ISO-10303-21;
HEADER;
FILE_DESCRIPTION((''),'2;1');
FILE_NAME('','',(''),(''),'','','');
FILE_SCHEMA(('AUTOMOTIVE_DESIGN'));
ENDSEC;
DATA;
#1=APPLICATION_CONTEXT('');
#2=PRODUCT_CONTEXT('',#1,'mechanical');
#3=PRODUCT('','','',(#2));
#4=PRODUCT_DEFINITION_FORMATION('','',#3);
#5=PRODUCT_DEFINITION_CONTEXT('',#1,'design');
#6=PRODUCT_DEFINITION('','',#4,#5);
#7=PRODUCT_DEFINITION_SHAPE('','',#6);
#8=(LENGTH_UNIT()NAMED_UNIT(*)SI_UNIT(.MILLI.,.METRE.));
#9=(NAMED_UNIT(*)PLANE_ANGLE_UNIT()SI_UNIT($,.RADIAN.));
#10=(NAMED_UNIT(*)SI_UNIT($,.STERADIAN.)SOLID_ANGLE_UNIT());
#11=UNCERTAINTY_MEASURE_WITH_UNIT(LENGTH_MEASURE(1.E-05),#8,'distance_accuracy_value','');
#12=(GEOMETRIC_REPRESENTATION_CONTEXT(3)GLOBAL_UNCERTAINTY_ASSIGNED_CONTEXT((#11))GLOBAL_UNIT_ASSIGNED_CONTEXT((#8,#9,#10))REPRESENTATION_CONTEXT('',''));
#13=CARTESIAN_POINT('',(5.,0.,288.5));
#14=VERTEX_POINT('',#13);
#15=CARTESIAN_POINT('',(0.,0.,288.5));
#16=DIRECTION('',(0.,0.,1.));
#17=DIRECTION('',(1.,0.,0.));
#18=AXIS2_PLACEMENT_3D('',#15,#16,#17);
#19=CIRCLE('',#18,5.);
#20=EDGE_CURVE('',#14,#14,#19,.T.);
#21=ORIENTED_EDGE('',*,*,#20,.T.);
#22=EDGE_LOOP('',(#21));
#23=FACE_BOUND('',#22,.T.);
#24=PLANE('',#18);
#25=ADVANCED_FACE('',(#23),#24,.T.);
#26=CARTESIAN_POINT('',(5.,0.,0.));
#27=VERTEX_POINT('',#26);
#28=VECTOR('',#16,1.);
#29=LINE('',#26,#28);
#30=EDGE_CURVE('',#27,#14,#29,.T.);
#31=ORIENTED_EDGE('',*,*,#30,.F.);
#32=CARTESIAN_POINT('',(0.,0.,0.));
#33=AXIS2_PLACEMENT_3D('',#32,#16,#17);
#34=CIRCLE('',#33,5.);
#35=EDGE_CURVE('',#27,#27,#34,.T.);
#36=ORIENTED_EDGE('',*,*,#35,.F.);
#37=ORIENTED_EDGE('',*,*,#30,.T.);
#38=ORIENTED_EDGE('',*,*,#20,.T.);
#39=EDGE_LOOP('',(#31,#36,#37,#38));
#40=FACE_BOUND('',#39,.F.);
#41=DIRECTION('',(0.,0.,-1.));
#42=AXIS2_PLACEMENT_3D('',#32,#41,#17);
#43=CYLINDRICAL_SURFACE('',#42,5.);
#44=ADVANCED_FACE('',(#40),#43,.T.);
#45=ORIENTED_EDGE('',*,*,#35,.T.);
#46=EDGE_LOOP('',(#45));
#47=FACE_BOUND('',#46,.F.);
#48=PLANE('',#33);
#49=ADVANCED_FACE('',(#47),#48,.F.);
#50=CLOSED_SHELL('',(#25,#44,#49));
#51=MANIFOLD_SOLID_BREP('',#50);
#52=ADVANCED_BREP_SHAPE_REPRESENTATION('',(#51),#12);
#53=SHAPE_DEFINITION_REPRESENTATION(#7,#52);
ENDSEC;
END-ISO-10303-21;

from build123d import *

# Parameters (mm, degrees)
SKETCH1_R           = 5
BOSS_EXTRUDE1_DEPTH = 288.5


with BuildPart() as part:
    # Sketch1 → Boss-Extrude1 (new body)
    with BuildSketch(Plane.XY):
        Circle(SKETCH1_R)
    extrude(amount=BOSS_EXTRUDE1_DEPTH)


solid = part.part
